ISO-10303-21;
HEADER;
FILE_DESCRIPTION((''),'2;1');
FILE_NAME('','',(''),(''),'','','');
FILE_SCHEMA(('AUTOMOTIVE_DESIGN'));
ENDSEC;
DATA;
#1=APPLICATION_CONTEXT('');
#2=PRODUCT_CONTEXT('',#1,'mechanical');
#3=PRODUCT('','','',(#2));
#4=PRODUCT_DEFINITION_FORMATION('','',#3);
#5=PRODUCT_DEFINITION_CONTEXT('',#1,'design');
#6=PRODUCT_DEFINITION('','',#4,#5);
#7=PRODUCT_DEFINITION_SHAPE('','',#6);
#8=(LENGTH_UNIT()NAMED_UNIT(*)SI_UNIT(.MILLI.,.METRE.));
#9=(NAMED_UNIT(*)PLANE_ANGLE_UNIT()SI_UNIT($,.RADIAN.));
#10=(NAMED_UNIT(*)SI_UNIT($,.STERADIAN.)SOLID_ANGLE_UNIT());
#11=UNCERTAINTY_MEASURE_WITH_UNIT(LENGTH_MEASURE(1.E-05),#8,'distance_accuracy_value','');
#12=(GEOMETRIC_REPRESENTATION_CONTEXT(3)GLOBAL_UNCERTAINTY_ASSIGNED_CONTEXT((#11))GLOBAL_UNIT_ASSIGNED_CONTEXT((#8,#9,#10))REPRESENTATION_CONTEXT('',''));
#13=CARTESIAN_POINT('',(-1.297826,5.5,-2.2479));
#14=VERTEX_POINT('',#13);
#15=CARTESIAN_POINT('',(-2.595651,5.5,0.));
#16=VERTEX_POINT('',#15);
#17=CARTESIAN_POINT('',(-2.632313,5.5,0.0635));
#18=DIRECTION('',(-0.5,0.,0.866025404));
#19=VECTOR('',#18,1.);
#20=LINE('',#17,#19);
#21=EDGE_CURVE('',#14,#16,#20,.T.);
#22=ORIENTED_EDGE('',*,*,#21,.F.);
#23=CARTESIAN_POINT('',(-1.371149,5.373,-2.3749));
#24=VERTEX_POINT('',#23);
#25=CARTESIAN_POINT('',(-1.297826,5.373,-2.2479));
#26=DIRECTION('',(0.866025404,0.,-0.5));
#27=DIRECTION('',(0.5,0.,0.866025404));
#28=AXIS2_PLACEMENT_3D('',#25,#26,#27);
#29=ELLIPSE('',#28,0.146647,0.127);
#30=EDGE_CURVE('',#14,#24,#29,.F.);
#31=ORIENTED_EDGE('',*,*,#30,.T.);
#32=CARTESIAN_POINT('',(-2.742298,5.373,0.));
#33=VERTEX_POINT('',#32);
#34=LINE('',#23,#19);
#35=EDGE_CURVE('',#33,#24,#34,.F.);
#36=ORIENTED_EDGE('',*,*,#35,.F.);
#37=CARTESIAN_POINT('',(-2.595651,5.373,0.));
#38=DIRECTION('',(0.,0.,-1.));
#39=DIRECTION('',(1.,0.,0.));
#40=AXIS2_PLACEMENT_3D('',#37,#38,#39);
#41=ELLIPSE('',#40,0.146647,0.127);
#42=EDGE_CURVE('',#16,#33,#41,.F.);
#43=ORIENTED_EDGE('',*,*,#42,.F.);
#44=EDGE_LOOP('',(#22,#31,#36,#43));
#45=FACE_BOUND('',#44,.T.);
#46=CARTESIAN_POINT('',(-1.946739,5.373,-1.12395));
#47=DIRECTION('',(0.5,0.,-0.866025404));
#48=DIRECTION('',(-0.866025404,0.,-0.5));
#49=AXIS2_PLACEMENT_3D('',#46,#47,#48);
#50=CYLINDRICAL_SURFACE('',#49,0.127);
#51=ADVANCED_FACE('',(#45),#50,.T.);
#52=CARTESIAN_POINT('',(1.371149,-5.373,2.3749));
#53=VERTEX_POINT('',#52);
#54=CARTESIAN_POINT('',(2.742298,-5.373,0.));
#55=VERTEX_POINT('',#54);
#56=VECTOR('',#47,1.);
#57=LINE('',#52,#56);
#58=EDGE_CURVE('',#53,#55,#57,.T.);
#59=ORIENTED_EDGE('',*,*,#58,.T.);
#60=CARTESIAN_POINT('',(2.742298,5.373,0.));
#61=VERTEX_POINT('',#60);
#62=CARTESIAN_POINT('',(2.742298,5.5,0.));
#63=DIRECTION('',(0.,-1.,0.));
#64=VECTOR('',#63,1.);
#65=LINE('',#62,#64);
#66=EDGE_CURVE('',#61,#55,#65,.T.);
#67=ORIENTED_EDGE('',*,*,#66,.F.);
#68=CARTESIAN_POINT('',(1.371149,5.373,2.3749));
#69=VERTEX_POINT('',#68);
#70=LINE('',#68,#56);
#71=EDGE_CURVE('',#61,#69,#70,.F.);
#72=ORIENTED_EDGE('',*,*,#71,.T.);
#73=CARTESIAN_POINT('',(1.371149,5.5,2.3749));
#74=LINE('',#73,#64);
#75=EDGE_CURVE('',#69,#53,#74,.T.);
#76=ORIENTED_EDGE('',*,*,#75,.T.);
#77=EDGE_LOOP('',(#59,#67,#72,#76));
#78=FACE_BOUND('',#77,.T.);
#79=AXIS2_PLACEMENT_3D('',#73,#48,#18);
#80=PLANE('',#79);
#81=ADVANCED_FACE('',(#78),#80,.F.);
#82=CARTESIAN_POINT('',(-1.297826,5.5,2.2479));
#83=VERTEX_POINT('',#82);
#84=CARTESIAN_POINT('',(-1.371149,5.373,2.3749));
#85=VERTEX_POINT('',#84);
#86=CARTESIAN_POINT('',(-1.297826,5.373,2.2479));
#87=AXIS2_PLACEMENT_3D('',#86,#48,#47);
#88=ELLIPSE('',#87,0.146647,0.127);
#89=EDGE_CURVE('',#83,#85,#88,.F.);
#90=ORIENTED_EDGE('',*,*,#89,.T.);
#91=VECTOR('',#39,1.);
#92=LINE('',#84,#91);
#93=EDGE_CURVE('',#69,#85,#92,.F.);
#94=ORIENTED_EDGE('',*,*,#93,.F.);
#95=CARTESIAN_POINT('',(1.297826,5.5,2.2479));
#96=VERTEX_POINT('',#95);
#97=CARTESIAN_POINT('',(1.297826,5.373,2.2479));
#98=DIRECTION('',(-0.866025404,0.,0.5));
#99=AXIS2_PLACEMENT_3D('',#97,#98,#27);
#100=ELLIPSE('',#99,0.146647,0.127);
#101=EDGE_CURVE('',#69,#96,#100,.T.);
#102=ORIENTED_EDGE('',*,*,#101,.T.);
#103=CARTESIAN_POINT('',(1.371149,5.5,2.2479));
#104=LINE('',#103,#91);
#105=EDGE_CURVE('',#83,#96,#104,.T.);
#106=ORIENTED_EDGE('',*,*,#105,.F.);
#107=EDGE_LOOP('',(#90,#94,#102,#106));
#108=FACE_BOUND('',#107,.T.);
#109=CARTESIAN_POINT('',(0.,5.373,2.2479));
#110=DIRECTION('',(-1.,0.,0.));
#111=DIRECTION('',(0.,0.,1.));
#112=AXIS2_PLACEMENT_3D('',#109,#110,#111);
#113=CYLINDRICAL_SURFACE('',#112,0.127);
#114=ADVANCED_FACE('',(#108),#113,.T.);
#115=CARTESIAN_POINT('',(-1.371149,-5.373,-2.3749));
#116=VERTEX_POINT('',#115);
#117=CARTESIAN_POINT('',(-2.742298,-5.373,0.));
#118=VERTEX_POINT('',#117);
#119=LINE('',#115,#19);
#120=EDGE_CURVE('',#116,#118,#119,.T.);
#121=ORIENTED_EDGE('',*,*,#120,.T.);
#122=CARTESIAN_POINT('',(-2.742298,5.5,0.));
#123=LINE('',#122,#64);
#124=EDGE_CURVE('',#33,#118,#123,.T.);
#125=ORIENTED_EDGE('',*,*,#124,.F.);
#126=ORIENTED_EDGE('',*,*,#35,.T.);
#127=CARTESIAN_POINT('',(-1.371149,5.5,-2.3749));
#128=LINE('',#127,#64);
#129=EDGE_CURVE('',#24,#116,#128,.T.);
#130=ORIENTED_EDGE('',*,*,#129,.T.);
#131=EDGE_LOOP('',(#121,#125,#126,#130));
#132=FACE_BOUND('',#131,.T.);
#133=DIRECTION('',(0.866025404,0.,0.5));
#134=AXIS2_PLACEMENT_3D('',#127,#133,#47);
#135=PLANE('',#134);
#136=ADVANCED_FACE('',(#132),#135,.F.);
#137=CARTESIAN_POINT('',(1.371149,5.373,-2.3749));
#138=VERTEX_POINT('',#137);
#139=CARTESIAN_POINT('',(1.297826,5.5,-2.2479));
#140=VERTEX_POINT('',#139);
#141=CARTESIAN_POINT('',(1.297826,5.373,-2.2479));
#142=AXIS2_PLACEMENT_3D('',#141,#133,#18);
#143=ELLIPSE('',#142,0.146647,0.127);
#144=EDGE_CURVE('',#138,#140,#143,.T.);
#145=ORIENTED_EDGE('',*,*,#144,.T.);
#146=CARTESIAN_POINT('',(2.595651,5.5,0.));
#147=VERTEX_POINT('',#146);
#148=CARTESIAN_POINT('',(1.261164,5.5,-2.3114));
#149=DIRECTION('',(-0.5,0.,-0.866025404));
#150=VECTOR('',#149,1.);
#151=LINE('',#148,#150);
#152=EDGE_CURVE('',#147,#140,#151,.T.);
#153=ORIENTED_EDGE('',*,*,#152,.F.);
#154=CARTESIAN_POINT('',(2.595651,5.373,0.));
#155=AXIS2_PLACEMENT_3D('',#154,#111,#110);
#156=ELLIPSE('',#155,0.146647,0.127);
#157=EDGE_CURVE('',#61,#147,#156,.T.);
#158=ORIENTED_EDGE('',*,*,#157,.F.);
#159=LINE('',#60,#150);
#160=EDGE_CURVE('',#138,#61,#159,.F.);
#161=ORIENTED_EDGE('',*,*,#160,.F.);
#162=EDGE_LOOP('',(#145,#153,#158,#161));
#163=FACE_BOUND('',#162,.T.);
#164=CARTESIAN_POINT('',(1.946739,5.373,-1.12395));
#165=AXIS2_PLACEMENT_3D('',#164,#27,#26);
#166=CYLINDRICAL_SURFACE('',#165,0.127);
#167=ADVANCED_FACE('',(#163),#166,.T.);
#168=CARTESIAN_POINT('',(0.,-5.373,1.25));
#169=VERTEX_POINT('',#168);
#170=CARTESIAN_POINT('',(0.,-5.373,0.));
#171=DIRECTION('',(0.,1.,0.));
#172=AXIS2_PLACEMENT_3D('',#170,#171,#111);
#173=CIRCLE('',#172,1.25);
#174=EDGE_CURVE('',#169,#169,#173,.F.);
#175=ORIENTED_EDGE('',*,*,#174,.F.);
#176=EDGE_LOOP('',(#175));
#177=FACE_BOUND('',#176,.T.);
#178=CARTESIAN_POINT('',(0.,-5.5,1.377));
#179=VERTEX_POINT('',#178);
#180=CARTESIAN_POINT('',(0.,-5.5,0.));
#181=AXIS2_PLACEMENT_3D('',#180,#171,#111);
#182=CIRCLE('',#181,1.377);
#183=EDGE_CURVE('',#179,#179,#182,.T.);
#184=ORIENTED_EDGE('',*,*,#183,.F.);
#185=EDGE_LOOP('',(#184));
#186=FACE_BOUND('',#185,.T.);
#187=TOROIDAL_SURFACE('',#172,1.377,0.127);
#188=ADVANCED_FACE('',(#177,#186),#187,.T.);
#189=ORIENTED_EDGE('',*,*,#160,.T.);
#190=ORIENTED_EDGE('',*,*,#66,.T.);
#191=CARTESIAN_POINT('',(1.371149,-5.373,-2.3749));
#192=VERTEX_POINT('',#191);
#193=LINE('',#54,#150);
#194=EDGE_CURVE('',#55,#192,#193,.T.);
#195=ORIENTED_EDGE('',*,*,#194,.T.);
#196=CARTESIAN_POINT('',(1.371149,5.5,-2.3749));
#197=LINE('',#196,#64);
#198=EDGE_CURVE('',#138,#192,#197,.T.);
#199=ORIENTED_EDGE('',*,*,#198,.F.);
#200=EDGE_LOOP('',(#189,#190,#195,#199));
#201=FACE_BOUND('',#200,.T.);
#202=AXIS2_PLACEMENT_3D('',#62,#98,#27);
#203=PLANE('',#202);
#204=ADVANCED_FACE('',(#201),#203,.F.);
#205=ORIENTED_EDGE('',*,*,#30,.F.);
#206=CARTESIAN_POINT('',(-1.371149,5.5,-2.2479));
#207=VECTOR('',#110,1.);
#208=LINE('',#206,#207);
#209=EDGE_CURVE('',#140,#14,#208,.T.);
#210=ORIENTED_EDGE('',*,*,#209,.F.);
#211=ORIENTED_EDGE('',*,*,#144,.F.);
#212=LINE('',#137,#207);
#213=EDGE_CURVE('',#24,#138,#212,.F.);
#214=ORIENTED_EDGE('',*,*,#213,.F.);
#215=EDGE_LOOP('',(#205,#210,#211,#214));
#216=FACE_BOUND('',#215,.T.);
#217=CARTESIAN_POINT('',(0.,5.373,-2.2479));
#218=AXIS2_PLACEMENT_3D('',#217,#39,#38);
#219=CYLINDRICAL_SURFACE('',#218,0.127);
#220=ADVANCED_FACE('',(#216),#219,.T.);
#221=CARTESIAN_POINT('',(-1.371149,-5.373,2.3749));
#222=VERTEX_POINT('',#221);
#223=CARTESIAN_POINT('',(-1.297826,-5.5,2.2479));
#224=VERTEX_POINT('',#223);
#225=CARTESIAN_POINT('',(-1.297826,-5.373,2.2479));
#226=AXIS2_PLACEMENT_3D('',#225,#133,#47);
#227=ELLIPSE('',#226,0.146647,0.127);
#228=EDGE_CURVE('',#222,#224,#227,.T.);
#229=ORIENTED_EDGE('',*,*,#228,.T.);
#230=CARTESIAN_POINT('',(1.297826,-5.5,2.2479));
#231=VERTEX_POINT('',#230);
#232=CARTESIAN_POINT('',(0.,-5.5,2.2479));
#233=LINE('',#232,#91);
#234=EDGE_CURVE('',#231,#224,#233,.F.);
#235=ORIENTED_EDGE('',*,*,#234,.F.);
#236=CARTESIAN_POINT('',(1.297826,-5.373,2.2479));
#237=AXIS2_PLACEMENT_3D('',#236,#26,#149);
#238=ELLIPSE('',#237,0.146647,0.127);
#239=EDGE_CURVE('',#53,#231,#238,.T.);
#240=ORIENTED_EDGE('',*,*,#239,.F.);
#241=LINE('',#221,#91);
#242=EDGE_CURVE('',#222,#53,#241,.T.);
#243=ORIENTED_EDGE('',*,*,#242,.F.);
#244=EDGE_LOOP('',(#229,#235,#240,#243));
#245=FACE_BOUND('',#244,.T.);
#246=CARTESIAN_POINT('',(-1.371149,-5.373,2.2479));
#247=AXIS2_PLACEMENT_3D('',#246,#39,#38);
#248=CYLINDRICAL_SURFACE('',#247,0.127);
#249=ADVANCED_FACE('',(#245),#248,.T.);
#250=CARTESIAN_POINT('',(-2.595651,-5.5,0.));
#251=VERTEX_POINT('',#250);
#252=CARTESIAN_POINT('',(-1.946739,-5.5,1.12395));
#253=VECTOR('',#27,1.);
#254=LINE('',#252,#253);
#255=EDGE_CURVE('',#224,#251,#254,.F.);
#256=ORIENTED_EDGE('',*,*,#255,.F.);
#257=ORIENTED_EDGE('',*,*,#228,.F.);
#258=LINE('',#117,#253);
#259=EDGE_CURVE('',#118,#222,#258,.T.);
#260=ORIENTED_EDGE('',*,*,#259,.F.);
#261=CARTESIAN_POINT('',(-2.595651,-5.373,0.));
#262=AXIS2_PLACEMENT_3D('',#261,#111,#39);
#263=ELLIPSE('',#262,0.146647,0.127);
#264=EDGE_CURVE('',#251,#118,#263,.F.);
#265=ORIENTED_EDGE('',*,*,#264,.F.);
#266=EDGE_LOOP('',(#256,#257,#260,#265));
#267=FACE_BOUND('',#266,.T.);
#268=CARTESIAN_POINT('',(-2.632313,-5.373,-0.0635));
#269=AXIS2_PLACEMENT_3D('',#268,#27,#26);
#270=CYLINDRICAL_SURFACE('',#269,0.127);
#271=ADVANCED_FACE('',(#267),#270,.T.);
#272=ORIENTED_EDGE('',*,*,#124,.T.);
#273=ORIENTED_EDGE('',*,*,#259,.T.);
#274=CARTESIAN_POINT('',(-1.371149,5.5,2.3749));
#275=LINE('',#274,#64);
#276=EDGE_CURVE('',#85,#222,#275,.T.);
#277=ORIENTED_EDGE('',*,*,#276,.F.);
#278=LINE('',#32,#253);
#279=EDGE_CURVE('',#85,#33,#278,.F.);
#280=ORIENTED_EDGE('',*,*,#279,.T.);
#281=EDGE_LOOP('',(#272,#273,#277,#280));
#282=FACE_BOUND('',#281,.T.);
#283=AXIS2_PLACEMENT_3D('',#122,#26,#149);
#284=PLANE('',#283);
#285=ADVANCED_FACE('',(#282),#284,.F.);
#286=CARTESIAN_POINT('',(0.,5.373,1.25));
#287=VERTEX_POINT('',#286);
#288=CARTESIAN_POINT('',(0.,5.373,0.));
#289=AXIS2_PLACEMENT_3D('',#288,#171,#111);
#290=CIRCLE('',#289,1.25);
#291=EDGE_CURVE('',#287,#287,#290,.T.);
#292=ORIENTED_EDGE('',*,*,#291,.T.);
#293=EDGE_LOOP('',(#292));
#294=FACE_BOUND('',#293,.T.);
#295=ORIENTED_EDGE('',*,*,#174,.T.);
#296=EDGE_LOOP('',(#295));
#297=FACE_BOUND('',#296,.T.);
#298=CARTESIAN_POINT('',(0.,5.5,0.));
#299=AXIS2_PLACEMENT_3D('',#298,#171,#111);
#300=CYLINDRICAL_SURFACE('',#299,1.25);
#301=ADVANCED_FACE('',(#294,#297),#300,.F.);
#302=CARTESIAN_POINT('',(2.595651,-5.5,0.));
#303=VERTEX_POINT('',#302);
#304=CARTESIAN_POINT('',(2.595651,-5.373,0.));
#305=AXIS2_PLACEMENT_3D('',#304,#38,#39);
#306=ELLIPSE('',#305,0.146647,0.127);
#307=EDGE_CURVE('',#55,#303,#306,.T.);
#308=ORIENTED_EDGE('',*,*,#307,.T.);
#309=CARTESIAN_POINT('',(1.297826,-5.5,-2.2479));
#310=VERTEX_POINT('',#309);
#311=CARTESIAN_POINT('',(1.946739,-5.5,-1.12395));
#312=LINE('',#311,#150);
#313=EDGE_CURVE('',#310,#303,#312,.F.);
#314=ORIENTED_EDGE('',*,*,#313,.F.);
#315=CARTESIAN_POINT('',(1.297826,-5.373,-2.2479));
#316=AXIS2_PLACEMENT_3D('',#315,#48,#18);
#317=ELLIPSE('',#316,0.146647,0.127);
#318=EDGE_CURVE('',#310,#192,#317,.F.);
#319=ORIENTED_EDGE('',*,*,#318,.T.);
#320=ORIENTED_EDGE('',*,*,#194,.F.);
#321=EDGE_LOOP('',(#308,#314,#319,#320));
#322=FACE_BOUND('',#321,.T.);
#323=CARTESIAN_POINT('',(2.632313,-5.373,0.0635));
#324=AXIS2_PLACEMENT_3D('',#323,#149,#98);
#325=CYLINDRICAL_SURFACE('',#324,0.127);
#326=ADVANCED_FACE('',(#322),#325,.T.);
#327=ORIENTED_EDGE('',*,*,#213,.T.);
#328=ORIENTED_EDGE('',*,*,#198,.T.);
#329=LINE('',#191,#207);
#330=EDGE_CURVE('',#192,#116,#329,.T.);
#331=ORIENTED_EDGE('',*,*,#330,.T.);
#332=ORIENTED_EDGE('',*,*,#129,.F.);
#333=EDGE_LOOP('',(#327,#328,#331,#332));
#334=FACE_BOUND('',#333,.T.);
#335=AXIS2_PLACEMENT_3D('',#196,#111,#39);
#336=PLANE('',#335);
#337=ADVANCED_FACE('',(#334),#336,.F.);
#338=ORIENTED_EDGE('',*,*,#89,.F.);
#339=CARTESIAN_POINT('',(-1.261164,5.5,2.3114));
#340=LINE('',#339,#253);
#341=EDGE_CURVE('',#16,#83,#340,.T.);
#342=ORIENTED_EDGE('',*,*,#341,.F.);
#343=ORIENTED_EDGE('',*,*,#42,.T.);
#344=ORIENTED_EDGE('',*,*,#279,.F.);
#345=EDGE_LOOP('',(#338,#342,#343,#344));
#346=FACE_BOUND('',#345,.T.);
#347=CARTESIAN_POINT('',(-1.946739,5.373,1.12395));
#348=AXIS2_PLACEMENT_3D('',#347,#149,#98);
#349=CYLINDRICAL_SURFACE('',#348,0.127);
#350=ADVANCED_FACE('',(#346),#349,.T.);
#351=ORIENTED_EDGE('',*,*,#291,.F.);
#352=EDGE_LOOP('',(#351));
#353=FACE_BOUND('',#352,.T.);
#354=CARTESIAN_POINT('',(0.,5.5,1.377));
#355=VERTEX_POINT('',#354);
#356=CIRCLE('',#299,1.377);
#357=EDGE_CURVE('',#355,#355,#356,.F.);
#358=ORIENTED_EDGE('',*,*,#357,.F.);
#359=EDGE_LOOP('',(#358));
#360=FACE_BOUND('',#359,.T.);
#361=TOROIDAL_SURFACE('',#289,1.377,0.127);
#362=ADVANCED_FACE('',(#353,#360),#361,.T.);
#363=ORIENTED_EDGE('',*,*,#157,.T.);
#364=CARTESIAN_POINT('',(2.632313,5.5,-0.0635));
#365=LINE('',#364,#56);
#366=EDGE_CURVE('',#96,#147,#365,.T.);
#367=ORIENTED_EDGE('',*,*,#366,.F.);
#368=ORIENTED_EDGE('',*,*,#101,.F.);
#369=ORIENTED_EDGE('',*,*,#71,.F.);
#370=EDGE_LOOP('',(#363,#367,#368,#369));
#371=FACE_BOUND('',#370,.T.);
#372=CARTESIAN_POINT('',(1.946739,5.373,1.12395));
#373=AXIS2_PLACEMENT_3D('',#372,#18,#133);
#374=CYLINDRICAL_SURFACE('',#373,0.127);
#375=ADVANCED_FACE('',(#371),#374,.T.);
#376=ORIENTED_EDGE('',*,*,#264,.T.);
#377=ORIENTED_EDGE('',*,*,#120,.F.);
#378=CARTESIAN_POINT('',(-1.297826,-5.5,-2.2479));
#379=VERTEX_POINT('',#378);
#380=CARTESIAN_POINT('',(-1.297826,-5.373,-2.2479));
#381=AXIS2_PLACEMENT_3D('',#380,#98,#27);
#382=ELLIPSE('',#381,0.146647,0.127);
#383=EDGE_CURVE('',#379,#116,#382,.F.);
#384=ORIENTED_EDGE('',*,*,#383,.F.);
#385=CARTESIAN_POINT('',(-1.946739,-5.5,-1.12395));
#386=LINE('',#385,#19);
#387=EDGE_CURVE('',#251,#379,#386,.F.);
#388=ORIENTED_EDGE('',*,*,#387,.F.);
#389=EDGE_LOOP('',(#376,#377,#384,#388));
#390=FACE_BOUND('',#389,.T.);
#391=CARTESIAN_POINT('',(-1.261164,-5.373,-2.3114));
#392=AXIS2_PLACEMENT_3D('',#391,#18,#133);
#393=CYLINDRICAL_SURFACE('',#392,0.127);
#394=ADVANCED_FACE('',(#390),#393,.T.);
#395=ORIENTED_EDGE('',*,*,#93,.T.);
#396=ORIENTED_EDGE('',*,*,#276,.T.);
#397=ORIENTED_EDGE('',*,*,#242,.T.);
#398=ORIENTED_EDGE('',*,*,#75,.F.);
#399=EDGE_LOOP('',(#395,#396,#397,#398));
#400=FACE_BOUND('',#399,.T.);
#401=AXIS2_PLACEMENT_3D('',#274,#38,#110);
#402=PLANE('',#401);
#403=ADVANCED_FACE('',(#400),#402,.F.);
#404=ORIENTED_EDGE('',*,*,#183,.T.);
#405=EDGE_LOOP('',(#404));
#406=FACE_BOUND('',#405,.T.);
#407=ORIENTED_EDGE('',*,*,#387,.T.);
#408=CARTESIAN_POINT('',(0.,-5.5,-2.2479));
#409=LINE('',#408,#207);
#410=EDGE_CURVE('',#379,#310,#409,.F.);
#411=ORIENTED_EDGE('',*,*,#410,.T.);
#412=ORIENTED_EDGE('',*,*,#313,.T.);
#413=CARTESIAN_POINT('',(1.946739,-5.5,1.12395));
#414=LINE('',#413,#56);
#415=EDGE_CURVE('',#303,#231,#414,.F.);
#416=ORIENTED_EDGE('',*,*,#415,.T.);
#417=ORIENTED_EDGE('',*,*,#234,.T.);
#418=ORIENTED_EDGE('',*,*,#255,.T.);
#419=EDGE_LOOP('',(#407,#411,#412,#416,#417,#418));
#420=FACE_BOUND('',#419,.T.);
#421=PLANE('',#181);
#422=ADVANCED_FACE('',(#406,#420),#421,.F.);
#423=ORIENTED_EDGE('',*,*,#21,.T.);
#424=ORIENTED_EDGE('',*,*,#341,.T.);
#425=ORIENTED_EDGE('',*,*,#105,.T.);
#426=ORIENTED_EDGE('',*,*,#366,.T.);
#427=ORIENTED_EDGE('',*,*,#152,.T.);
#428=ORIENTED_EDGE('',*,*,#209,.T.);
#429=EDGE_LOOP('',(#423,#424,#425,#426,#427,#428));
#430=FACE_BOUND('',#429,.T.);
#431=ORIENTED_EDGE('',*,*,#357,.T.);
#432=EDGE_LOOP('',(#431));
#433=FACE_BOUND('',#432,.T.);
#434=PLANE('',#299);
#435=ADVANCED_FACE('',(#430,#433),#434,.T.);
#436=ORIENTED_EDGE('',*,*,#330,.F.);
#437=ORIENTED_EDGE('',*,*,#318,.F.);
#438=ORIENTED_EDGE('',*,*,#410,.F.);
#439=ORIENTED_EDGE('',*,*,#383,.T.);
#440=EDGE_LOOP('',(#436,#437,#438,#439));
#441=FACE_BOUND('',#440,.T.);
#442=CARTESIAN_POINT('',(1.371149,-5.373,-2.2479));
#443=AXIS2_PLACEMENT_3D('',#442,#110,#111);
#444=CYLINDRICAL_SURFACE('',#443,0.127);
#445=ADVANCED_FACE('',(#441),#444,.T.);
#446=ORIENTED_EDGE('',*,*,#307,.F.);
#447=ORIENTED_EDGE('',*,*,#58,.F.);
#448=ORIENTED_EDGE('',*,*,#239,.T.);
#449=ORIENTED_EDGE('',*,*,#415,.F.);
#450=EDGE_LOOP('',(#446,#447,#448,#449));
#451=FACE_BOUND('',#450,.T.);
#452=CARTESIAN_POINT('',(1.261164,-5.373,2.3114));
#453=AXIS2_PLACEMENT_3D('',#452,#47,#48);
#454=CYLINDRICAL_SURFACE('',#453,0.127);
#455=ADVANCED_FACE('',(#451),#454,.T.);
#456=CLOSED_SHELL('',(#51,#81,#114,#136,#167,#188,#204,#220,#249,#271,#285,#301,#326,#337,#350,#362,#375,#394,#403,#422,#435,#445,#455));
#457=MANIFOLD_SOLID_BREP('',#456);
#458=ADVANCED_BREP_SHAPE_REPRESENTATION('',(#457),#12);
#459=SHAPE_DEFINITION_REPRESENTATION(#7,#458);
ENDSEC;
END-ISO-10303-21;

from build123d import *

# Parameters (mm, degrees)
BOSS_EXTRUDE1_DEPTH   = 5.5
M3X0_5_TAPPED_HOLE1_D = 2.5
FILLET1_R             = 0.127


with BuildPart() as part:
    # Sketch1 → Boss-Extrude1 (new, symmetric)
    with BuildSketch(Plane(origin=(0, 0, 0), x_dir=(1, 0, 0), z_dir=(0, 1, 0))):
        Polygon((2.742298309, 0), (1.371149154, 2.3749), (-1.371149154, 2.3749), (-2.742298309, 0), (-1.371149154, -2.3749), (1.371149154, -2.3749), align=None)
    extrude(amount=BOSS_EXTRUDE1_DEPTH, both=True)

    # M3x0.5 Tapped Hole1 (through all)
    with Locations(Plane(origin=(0, 5.5, 0), x_dir=(1, 0, 0), z_dir=(0, 1, 0))):
        with Locations((0, 0)):
            Hole(M3X0_5_TAPPED_HOLE1_D / 2)

    # Fillet1
    fillet1_edges = [part.edges().sort_by_distance(p)[0] for p in [
        (0, 5.5, -2.3749),
        (-2.056723731, 5.5, -1.18745),
        (-2.056723731, 5.5, 1.18745),
        (0, 5.5, 2.3749),
        (1.25, 5.5, 0),
        (1.25, -5.5, 0),
        (2.056723731, 5.5, 1.18745),
        (0, -5.5, 2.3749),
        (-2.056723731, -5.5, 1.18745),
        (-2.056723731, -5.5, -1.18745),
        (2.056723731, 5.5, -1.18745),
        (0, -5.5, -2.3749),
        (2.056723731, -5.5, -1.18745),
        (2.056723731, -5.5, 1.18745),
    ]]
    fillet(fillet1_edges, radius=FILLET1_R)


solid = part.part
